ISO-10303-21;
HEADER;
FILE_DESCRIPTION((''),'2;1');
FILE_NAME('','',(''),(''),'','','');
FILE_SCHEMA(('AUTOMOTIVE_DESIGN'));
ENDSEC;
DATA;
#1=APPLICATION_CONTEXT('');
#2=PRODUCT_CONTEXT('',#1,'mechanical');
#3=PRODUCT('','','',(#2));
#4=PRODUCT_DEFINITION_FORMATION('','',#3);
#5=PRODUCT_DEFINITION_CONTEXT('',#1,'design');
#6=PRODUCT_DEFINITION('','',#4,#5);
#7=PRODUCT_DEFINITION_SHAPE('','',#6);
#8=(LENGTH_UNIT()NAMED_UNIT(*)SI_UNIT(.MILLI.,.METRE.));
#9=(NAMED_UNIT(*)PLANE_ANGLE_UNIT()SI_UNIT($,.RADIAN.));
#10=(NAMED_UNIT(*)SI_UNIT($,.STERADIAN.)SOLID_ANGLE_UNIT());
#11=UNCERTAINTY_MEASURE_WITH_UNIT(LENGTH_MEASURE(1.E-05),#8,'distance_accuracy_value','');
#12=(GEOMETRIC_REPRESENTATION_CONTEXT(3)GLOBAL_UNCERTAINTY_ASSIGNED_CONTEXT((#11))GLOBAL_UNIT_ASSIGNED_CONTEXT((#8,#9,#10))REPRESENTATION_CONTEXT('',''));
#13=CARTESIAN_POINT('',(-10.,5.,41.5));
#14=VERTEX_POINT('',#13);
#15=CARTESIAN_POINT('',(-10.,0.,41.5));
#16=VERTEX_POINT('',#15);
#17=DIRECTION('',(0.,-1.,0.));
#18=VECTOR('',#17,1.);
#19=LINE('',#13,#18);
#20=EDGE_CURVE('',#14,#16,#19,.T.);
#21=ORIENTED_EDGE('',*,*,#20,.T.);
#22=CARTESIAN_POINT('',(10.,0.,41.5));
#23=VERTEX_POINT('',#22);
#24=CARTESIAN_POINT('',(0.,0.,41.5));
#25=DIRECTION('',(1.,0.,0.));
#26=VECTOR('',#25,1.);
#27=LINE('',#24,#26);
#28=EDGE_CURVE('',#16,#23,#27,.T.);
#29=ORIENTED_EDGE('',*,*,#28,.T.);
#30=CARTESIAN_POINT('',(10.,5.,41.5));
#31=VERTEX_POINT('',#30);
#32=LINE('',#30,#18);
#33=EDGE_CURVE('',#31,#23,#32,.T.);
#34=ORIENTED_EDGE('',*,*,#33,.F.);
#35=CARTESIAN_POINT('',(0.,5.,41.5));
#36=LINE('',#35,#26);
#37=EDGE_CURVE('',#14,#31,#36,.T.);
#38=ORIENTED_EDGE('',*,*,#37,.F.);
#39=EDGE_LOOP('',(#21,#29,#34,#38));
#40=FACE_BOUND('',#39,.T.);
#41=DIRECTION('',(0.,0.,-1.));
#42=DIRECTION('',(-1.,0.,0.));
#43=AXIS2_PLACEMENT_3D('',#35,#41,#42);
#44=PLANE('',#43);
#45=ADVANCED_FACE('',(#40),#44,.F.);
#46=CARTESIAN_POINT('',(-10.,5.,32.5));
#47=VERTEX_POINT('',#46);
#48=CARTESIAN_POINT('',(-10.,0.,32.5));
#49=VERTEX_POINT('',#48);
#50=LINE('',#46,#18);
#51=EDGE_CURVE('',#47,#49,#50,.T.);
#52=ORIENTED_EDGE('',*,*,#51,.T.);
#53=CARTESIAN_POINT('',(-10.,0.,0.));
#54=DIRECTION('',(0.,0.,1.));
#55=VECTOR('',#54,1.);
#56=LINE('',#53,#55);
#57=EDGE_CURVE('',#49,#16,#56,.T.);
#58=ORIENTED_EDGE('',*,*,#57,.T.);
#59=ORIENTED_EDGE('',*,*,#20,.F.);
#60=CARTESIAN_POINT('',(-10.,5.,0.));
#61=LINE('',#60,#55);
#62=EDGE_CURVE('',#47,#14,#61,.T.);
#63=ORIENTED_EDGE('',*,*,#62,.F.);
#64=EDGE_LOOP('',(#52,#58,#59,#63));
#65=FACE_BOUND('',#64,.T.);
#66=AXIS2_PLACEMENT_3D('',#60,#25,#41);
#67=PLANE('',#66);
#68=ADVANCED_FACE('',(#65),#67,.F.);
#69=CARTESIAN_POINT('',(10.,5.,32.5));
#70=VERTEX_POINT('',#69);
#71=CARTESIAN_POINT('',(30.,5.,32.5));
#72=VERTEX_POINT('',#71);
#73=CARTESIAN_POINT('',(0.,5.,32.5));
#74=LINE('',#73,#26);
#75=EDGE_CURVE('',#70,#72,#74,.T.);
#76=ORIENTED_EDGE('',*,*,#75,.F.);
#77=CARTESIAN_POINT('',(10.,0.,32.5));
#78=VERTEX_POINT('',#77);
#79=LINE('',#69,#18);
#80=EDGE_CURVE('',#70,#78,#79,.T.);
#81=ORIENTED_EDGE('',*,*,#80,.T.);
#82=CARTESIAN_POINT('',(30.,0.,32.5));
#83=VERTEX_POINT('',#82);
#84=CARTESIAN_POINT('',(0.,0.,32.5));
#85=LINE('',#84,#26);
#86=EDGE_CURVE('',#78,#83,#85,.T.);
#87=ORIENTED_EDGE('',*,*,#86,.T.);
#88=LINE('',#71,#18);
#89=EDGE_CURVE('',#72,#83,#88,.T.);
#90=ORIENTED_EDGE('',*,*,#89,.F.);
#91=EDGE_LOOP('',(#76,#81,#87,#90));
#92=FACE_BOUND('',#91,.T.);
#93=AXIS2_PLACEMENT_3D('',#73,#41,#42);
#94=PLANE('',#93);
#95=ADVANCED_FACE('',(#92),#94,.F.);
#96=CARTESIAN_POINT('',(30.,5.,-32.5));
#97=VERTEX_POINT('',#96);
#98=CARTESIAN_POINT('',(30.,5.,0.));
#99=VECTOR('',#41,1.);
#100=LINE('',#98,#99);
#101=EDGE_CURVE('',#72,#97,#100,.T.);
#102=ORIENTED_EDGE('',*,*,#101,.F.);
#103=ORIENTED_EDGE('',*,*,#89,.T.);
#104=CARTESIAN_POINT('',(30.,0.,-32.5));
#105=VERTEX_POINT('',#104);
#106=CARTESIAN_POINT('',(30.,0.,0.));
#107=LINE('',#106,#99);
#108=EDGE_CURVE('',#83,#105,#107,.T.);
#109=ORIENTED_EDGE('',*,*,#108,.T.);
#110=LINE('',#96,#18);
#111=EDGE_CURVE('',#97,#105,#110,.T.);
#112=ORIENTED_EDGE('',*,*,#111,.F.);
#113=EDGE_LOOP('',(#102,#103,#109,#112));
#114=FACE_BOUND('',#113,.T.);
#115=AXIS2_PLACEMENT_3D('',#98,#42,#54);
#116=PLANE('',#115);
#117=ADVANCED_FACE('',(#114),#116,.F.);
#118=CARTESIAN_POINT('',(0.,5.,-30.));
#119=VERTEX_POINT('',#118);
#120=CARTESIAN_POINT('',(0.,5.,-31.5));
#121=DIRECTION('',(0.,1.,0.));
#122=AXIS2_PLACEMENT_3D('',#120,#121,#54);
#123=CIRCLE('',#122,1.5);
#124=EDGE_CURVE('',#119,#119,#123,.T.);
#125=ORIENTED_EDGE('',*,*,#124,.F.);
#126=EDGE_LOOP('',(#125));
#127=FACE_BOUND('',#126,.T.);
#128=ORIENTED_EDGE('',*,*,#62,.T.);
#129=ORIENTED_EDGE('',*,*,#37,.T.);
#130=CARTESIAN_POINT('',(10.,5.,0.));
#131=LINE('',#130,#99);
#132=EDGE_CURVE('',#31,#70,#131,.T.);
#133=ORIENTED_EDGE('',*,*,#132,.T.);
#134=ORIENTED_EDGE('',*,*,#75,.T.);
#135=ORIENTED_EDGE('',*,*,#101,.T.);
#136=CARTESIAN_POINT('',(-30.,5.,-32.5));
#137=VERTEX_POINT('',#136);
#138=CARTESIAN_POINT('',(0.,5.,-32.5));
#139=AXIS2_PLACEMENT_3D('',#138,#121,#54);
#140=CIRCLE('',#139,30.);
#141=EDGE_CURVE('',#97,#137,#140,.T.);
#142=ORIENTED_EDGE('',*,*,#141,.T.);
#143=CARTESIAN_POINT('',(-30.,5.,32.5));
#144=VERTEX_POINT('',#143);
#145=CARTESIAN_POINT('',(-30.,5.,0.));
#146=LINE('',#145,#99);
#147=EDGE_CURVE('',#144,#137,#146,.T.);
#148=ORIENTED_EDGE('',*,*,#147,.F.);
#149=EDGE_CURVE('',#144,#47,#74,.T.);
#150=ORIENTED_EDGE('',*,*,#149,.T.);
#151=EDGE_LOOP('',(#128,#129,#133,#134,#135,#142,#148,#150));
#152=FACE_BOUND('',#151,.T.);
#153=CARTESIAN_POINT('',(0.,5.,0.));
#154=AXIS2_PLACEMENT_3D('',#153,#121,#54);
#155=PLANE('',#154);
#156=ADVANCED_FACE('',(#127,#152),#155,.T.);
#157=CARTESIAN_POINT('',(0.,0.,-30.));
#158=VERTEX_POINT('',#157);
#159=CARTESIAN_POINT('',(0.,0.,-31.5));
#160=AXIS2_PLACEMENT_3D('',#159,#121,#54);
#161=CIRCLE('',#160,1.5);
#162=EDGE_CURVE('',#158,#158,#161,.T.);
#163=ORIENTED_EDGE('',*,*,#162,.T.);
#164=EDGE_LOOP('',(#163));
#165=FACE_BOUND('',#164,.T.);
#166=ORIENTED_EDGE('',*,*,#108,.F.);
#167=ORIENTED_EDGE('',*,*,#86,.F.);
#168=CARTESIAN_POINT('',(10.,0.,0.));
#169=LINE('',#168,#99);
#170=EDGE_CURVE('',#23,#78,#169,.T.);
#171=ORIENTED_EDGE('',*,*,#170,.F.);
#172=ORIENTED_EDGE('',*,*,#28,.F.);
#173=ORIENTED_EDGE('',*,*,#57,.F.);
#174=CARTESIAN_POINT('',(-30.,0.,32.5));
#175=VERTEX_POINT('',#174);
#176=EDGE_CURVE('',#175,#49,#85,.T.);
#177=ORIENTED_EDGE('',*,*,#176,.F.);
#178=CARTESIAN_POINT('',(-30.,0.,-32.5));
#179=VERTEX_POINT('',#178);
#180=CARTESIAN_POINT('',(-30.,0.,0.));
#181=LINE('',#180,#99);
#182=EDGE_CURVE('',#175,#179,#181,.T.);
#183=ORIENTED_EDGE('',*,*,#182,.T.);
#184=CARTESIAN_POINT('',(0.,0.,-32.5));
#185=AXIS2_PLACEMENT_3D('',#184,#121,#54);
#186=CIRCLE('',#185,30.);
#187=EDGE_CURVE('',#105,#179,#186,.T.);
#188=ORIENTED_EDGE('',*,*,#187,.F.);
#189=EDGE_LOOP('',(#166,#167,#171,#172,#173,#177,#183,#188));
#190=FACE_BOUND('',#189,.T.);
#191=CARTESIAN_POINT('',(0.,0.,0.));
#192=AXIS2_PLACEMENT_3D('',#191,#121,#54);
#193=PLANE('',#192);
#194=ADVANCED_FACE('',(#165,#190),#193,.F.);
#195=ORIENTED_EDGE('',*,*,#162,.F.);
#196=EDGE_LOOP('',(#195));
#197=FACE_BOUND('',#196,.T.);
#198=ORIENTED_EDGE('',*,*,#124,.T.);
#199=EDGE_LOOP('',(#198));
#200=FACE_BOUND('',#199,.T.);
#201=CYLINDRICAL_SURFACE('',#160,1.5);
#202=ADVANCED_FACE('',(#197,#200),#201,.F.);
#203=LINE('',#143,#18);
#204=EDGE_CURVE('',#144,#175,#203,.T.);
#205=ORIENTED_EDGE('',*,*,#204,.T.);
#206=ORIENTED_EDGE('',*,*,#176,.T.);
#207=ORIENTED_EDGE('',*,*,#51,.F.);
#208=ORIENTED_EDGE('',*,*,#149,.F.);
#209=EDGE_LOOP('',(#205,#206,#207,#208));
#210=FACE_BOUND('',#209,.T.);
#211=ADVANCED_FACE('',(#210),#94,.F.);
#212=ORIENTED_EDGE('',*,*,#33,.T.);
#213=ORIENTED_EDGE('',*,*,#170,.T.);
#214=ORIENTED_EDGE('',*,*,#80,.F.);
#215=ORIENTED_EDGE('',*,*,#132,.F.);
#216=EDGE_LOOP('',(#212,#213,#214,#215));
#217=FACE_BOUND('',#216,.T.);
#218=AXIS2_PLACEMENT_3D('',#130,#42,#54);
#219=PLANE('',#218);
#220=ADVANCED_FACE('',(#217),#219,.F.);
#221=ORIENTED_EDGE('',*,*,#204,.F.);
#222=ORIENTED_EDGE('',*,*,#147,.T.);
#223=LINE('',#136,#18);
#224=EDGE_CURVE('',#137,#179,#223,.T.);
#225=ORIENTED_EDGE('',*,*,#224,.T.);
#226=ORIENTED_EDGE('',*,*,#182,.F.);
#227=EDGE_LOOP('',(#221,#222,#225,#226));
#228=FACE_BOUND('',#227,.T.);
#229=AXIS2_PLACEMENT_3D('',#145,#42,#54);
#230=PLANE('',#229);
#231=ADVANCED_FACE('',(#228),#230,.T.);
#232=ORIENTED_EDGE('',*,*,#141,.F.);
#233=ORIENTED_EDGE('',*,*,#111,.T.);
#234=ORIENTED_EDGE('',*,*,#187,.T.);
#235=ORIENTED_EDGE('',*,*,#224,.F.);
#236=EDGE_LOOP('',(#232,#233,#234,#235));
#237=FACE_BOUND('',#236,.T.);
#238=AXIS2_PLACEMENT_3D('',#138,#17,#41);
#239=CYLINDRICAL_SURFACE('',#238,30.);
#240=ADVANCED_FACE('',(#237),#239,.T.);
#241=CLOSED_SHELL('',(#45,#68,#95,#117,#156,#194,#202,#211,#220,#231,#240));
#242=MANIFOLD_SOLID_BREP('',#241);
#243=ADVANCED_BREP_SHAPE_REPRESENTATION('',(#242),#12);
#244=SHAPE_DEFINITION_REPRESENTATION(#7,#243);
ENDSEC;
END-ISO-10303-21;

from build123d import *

# Parameters (mm, degrees)
SKETCH1_W           = 60
SKETCH1_H           = 65
SKETCH1_W_2         = 20
SKETCH1_H_2         = 9
BOSS_EXTRUDE1_DEPTH = 5
SKETCH2_R           = 1.5
CUT_EXTRUDE1_DEPTH  = 6


with BuildPart() as part:
    # Sketch1 → Boss-Extrude1 (new body)
    with BuildSketch(Plane(origin=(0, 0, 0), x_dir=(1, 0, 0), z_dir=(0, 1, 0))):
        Rectangle(SKETCH1_W, SKETCH1_H)
        with Locations((0, -37)):
            Rectangle(SKETCH1_W_2, SKETCH1_H_2)
        with BuildLine():
            Line((-30, 32.5), (30, 32.5))
            ThreePointArc((30, 32.5), (0, 62.5), (-30, 32.5))
        make_face()
    extrude(amount=BOSS_EXTRUDE1_DEPTH)

    # Sketch2 → Cut-Extrude1 (cut, through all)
    with BuildSketch(Plane(origin=(0, 5, 0), x_dir=(1, 0, 0), z_dir=(0, 1, 0))):
        with Locations((0, 31.5)):
            Circle(SKETCH2_R)
    extrude(amount=-CUT_EXTRUDE1_DEPTH, mode=Mode.SUBTRACT)


solid = part.part
